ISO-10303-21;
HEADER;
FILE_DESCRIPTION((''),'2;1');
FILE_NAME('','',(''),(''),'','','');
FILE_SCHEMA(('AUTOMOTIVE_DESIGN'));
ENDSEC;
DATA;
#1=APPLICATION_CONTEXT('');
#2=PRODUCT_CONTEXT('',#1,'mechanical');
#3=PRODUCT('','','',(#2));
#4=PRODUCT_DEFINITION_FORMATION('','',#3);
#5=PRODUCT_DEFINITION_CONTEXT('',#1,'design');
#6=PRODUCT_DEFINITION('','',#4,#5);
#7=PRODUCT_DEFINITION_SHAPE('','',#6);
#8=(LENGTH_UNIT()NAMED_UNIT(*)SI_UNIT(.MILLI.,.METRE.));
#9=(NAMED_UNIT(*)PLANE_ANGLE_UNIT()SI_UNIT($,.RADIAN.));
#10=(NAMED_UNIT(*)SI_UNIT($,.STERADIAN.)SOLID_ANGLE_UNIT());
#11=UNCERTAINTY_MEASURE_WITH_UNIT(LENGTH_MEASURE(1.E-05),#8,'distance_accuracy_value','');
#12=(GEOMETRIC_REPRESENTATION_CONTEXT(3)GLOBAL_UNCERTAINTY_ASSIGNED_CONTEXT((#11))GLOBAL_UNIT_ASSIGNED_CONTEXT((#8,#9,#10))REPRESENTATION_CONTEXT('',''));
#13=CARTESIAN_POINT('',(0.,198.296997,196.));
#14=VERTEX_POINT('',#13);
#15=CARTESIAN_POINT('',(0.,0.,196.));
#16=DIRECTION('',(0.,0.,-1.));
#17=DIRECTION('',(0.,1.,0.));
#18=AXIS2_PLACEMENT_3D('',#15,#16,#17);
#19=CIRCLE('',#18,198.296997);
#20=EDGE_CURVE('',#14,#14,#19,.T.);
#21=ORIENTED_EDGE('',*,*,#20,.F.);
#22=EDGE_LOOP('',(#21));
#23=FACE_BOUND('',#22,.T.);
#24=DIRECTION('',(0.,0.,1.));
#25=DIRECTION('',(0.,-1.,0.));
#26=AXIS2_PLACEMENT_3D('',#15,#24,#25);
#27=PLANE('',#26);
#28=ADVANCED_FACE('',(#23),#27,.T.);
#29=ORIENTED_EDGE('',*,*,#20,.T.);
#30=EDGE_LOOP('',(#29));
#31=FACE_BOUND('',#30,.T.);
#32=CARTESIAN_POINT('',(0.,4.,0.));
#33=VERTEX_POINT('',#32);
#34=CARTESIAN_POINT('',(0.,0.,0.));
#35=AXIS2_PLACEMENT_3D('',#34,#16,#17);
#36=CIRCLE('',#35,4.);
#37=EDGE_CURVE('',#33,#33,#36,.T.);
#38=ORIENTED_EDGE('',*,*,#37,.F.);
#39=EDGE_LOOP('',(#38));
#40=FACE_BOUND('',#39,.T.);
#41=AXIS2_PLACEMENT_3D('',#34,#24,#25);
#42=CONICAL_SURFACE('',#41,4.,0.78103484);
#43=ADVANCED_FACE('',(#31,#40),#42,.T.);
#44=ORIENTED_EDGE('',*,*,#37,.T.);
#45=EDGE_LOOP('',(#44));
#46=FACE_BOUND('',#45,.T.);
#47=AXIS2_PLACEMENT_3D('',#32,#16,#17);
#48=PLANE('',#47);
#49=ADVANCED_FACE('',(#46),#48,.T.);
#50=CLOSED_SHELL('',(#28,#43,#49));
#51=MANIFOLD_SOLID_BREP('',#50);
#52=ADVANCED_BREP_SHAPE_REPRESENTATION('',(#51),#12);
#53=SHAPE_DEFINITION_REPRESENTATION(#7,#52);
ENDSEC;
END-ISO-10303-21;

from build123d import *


with BuildPart() as part:
    # Sketch1 → Revolve1 (revolve)
    with BuildSketch(Plane(origin=(0, 0, 0), x_dir=(0, 0, -1), z_dir=(1, 0, 0))):
        Polygon((0, 0), (-196, 0), (-196, 198.296997277), (0, 4), align=None)
    revolve(axis=Axis((0, 0, 0), (0, 0, 1)))


solid = part.part
